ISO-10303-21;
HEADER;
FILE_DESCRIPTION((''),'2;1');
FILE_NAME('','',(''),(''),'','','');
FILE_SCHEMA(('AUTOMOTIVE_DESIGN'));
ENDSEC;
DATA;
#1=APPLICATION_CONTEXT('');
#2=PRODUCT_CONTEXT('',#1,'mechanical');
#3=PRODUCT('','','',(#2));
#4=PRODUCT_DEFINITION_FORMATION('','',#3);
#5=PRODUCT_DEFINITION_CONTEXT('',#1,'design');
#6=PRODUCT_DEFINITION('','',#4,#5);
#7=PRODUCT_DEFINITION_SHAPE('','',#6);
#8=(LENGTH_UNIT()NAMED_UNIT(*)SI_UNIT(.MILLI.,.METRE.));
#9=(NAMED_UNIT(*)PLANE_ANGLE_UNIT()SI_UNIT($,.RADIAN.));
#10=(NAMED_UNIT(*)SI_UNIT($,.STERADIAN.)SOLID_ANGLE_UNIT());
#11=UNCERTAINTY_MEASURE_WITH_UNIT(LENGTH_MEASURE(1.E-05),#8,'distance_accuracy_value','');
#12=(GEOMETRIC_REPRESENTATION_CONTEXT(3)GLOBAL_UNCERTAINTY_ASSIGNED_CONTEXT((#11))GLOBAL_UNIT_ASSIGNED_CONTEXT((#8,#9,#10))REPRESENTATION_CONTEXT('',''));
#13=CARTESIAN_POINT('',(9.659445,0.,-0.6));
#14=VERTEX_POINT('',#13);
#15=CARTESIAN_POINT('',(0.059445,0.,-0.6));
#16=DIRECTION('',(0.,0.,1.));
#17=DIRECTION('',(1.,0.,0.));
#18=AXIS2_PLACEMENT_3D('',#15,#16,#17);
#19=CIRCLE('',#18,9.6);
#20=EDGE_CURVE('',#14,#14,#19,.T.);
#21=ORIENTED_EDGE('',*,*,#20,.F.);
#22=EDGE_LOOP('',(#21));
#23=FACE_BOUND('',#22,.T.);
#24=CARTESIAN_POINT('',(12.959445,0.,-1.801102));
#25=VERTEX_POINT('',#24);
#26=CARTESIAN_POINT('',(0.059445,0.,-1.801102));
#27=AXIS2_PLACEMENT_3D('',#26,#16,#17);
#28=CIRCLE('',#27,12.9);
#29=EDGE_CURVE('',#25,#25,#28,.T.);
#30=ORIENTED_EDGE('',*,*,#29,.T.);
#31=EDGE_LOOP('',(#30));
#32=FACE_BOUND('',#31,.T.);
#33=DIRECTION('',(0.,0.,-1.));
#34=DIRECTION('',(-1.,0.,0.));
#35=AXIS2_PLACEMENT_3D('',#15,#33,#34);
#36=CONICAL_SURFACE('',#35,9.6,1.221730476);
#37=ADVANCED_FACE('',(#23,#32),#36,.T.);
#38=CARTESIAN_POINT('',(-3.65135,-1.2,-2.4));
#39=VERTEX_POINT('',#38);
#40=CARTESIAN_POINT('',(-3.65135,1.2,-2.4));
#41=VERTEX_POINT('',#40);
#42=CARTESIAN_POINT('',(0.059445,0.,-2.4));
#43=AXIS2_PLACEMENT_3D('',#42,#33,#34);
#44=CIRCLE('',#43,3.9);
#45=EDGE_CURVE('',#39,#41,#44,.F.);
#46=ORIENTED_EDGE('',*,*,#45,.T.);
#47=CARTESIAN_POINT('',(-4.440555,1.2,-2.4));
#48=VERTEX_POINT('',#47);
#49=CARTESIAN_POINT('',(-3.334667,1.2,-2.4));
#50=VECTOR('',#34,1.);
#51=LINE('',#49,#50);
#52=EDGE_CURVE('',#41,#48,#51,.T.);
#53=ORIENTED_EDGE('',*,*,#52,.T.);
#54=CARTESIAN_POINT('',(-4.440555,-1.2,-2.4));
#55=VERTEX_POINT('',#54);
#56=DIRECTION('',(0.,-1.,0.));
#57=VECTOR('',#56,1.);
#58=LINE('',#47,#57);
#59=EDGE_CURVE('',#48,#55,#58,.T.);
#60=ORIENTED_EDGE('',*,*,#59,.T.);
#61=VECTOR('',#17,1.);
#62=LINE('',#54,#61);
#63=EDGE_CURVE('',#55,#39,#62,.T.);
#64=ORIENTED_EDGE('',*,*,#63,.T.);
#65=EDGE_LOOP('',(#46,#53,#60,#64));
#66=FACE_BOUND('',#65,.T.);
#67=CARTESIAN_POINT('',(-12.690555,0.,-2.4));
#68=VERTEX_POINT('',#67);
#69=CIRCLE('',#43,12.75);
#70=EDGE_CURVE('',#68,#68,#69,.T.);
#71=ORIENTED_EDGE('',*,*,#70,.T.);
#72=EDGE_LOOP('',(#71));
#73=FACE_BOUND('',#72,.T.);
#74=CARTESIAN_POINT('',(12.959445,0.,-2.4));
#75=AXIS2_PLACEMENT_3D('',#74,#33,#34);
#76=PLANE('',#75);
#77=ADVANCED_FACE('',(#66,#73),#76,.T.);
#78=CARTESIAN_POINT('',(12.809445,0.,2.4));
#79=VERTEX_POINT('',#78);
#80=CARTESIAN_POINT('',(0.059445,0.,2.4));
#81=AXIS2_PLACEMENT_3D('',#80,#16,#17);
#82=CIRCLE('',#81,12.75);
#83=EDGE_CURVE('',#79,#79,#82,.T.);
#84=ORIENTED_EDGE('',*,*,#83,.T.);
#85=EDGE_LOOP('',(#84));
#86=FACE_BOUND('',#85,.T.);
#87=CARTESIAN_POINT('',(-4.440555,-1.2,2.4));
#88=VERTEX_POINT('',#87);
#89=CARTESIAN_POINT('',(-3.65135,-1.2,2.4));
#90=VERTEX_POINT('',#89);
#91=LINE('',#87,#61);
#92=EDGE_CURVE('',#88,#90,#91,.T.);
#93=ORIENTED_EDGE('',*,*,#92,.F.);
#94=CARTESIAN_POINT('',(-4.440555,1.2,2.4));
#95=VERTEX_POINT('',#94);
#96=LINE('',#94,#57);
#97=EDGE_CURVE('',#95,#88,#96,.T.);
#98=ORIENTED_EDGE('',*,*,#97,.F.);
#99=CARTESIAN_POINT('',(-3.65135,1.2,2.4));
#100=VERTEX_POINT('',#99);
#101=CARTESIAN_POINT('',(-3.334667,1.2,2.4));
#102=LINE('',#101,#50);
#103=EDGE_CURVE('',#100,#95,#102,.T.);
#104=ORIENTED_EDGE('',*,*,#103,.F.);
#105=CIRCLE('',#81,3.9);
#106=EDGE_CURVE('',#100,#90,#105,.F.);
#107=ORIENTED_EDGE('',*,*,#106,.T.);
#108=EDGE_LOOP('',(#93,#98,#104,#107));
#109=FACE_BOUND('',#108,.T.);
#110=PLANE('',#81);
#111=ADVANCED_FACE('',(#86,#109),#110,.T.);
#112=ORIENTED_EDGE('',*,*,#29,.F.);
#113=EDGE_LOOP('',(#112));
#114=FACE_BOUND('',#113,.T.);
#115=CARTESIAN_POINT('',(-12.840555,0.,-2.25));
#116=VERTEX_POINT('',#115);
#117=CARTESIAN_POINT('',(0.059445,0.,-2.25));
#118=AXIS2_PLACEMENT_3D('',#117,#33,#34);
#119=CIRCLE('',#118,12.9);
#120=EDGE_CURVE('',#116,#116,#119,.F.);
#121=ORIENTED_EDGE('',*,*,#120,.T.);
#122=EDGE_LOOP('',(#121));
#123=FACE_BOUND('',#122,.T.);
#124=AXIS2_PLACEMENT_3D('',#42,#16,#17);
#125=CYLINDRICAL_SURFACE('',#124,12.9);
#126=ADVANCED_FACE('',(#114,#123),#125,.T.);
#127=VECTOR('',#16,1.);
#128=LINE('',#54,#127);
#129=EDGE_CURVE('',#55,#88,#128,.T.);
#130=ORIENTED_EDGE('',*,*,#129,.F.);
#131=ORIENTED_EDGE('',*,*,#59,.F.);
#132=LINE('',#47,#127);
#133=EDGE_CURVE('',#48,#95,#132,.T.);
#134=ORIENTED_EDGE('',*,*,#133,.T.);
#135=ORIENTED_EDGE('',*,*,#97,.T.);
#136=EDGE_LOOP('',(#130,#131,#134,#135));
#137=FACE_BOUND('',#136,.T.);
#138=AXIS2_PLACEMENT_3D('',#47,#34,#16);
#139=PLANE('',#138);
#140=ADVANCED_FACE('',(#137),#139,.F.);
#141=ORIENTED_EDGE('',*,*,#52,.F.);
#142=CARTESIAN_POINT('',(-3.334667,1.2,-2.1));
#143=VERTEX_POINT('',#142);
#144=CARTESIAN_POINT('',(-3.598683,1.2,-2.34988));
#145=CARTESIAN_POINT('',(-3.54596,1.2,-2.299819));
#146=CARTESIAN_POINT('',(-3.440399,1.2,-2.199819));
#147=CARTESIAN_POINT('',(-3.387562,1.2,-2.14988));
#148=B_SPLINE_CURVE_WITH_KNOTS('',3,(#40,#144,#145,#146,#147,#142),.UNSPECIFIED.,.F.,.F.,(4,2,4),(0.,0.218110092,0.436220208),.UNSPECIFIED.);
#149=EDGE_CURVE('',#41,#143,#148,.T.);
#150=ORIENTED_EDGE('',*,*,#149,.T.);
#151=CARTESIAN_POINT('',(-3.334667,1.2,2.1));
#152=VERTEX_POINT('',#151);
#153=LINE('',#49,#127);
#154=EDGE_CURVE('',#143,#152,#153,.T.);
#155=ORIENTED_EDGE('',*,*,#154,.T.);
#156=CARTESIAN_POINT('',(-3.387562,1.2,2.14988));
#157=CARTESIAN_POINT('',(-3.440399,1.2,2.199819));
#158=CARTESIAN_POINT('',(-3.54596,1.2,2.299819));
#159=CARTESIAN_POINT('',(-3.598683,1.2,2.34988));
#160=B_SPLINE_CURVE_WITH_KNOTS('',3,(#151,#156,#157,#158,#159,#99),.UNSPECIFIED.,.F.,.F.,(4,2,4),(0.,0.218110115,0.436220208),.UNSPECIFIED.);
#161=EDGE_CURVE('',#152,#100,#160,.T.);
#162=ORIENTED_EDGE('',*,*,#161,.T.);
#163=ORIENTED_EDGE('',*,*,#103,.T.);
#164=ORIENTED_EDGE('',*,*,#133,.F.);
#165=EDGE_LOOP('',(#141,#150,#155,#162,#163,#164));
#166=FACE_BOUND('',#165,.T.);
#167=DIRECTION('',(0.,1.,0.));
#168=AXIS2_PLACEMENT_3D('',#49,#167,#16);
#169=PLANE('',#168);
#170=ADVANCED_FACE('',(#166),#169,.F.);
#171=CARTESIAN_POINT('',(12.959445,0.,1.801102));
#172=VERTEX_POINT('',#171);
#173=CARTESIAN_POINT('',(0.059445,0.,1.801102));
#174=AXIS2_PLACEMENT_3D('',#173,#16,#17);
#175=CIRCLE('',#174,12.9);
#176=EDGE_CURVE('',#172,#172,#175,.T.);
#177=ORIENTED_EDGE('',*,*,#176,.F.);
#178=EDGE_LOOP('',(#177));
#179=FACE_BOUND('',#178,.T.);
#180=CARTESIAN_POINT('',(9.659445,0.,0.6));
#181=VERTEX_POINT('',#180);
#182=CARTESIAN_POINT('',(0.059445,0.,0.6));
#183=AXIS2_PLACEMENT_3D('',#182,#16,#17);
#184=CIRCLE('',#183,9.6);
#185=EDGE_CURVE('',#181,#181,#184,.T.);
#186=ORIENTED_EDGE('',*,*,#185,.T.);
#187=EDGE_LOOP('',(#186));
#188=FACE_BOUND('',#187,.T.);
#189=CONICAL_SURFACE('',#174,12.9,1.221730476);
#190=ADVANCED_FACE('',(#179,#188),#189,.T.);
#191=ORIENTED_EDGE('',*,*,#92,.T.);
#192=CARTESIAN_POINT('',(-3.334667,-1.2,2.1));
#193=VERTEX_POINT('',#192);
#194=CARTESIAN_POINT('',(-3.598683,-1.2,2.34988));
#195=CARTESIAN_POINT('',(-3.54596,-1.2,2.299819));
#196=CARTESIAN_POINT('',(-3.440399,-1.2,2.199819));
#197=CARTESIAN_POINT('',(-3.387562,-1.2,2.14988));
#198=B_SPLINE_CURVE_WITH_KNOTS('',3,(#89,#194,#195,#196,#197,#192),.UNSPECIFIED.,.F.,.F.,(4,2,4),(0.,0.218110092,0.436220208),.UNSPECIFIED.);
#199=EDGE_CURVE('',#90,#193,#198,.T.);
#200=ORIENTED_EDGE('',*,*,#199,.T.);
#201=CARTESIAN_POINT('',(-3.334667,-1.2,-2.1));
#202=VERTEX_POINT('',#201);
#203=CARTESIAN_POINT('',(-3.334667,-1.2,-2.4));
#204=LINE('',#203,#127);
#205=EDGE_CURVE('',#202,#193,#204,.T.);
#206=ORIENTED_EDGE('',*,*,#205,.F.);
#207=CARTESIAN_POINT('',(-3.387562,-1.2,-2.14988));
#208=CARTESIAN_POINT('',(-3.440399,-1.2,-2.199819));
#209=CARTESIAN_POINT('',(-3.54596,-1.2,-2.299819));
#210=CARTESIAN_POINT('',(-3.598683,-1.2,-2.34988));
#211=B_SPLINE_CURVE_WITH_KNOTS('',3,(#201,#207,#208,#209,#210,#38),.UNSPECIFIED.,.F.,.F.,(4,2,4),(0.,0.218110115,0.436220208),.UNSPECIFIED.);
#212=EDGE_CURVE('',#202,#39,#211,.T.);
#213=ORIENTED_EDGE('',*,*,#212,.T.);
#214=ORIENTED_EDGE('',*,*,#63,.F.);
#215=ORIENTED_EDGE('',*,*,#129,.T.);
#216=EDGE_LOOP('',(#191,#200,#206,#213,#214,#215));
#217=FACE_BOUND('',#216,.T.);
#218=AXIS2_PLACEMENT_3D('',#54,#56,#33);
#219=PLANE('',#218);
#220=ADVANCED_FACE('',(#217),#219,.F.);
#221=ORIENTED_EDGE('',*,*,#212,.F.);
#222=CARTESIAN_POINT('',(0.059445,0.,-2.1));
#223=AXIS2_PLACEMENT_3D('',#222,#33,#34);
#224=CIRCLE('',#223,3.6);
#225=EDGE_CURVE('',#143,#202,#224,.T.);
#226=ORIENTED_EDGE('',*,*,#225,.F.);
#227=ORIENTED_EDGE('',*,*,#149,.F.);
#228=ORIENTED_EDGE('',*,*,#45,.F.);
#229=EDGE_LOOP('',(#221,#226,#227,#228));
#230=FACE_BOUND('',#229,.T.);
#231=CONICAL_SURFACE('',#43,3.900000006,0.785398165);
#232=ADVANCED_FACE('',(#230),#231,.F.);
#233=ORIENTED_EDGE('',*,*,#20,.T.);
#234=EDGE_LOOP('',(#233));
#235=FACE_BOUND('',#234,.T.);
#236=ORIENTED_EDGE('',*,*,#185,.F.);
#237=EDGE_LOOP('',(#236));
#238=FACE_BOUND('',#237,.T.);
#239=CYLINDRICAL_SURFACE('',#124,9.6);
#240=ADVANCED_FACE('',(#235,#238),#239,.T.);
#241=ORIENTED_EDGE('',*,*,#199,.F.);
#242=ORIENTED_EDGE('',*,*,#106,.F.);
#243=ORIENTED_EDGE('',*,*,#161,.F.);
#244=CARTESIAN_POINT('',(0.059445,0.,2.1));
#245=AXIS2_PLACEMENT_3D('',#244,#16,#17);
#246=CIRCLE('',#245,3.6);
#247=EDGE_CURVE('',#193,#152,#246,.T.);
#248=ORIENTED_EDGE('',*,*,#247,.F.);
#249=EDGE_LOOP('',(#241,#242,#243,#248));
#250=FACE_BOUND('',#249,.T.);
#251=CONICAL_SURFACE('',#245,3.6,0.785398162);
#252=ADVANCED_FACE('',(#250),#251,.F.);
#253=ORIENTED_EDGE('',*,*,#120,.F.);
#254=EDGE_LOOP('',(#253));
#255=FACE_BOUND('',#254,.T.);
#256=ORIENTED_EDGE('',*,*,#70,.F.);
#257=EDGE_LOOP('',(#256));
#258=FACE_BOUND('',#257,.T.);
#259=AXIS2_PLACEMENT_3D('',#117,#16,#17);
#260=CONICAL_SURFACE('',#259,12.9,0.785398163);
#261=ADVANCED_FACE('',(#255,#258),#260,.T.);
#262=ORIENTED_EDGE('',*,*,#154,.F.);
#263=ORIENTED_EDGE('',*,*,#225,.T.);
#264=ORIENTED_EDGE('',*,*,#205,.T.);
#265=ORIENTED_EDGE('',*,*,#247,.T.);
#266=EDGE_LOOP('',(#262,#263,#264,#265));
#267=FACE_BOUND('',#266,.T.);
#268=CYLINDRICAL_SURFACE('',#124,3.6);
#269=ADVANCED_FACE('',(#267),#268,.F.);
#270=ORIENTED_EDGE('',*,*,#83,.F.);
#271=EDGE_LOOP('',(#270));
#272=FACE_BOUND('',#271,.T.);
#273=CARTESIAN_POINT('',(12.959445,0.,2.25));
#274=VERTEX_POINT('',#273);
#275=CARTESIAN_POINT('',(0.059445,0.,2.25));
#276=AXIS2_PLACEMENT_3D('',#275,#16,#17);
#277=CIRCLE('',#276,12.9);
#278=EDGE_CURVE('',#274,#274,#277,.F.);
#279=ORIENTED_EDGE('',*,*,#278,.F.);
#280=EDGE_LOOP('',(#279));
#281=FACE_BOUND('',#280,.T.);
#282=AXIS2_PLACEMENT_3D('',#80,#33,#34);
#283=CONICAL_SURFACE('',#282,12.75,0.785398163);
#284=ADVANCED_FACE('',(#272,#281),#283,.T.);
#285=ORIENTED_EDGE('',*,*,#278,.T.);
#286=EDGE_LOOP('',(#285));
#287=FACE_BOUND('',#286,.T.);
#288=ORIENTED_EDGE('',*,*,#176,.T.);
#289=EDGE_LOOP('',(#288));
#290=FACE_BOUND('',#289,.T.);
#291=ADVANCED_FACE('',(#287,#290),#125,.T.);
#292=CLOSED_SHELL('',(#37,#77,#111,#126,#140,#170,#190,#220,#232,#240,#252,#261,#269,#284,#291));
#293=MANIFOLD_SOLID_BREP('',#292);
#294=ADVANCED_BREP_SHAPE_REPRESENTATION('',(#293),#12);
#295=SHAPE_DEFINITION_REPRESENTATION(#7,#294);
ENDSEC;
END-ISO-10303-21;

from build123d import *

# Parameters (mm, degrees)
CUT_EXTRUDE1_DEPTH = 17
SKETCH3_W          = 12
SKETCH3_H          = 16
CHAMFER1_SIZE2     = 1.000000021
CHAMFER1_SIZE      = 1.000000018
CHAMFER2_SIZE      = 0.5
SCALE1_SCALE       = 0.3


with BuildPart() as part:
    # Sketch1 → Revolve1 (revolve)
    with BuildSketch(Plane(origin=(0, 0, 0), x_dir=(1, 0, 0), z_dir=(0, 1, 0))):
        Polygon((43, 8), (0, 8), (0, -8), (43, -8), (43, -6.003672577), (32, -2), (32, 2), (43, 6.003672577), align=None)
    revolve(axis=Axis((0, 0, -8), (0, 0, 1)))

    # Sketch2 → Cut-Extrude1 (cut, through all)
    with BuildSketch(Plane.XY.offset(8)):
        with BuildLine():
            Line((-15, -4), (-11.313708499, -4))
            ThreePointArc((-11.313708499, -4), (-12, -1e-09), (-11.313708499, 3.999999999))
            Line((-11.313708499, 3.999999999), (-15, 3.999999999))
            Line((-15, 3.999999999), (-15, -4))
        make_face()
    extrude(amount=-CUT_EXTRUDE1_DEPTH, mode=Mode.SUBTRACT)

    # Sketch3 → Cut-Revolve1 (revolve, cut)
    with BuildSketch(Plane(origin=(0, 0, 0), x_dir=(1, 0, 0), z_dir=(0, 1, 0))):
        with Locations((6, 0)):
            Rectangle(SKETCH3_W, SKETCH3_H)
    revolve(axis=Axis((0, 0, -8), (0, 0, 1)), mode=Mode.SUBTRACT)

    # Chamfer1
    chamfer1_edges = [part.edges().sort_by_distance(p)[0] for p in [
        (12, 1e-09, -8),
        (12, 1e-09, 8),
    ]]
    chamfer(chamfer1_edges, length=CHAMFER1_SIZE, length2=CHAMFER1_SIZE2)

    # Chamfer2
    chamfer2_edges = [part.edges().sort_by_distance(p)[0] for p in [
        (-43, 0, 8),
        (-43, 0, -8),
    ]]
    chamfer(chamfer2_edges, length=CHAMFER2_SIZE)


with BuildPart() as part_1:
    # Scale1: scaled about (0.084922045, 0, 0)
    add(part.part.scale(SCALE1_SCALE).moved(Location((0.059445431, 0, 0))))


solid = part_1.part
